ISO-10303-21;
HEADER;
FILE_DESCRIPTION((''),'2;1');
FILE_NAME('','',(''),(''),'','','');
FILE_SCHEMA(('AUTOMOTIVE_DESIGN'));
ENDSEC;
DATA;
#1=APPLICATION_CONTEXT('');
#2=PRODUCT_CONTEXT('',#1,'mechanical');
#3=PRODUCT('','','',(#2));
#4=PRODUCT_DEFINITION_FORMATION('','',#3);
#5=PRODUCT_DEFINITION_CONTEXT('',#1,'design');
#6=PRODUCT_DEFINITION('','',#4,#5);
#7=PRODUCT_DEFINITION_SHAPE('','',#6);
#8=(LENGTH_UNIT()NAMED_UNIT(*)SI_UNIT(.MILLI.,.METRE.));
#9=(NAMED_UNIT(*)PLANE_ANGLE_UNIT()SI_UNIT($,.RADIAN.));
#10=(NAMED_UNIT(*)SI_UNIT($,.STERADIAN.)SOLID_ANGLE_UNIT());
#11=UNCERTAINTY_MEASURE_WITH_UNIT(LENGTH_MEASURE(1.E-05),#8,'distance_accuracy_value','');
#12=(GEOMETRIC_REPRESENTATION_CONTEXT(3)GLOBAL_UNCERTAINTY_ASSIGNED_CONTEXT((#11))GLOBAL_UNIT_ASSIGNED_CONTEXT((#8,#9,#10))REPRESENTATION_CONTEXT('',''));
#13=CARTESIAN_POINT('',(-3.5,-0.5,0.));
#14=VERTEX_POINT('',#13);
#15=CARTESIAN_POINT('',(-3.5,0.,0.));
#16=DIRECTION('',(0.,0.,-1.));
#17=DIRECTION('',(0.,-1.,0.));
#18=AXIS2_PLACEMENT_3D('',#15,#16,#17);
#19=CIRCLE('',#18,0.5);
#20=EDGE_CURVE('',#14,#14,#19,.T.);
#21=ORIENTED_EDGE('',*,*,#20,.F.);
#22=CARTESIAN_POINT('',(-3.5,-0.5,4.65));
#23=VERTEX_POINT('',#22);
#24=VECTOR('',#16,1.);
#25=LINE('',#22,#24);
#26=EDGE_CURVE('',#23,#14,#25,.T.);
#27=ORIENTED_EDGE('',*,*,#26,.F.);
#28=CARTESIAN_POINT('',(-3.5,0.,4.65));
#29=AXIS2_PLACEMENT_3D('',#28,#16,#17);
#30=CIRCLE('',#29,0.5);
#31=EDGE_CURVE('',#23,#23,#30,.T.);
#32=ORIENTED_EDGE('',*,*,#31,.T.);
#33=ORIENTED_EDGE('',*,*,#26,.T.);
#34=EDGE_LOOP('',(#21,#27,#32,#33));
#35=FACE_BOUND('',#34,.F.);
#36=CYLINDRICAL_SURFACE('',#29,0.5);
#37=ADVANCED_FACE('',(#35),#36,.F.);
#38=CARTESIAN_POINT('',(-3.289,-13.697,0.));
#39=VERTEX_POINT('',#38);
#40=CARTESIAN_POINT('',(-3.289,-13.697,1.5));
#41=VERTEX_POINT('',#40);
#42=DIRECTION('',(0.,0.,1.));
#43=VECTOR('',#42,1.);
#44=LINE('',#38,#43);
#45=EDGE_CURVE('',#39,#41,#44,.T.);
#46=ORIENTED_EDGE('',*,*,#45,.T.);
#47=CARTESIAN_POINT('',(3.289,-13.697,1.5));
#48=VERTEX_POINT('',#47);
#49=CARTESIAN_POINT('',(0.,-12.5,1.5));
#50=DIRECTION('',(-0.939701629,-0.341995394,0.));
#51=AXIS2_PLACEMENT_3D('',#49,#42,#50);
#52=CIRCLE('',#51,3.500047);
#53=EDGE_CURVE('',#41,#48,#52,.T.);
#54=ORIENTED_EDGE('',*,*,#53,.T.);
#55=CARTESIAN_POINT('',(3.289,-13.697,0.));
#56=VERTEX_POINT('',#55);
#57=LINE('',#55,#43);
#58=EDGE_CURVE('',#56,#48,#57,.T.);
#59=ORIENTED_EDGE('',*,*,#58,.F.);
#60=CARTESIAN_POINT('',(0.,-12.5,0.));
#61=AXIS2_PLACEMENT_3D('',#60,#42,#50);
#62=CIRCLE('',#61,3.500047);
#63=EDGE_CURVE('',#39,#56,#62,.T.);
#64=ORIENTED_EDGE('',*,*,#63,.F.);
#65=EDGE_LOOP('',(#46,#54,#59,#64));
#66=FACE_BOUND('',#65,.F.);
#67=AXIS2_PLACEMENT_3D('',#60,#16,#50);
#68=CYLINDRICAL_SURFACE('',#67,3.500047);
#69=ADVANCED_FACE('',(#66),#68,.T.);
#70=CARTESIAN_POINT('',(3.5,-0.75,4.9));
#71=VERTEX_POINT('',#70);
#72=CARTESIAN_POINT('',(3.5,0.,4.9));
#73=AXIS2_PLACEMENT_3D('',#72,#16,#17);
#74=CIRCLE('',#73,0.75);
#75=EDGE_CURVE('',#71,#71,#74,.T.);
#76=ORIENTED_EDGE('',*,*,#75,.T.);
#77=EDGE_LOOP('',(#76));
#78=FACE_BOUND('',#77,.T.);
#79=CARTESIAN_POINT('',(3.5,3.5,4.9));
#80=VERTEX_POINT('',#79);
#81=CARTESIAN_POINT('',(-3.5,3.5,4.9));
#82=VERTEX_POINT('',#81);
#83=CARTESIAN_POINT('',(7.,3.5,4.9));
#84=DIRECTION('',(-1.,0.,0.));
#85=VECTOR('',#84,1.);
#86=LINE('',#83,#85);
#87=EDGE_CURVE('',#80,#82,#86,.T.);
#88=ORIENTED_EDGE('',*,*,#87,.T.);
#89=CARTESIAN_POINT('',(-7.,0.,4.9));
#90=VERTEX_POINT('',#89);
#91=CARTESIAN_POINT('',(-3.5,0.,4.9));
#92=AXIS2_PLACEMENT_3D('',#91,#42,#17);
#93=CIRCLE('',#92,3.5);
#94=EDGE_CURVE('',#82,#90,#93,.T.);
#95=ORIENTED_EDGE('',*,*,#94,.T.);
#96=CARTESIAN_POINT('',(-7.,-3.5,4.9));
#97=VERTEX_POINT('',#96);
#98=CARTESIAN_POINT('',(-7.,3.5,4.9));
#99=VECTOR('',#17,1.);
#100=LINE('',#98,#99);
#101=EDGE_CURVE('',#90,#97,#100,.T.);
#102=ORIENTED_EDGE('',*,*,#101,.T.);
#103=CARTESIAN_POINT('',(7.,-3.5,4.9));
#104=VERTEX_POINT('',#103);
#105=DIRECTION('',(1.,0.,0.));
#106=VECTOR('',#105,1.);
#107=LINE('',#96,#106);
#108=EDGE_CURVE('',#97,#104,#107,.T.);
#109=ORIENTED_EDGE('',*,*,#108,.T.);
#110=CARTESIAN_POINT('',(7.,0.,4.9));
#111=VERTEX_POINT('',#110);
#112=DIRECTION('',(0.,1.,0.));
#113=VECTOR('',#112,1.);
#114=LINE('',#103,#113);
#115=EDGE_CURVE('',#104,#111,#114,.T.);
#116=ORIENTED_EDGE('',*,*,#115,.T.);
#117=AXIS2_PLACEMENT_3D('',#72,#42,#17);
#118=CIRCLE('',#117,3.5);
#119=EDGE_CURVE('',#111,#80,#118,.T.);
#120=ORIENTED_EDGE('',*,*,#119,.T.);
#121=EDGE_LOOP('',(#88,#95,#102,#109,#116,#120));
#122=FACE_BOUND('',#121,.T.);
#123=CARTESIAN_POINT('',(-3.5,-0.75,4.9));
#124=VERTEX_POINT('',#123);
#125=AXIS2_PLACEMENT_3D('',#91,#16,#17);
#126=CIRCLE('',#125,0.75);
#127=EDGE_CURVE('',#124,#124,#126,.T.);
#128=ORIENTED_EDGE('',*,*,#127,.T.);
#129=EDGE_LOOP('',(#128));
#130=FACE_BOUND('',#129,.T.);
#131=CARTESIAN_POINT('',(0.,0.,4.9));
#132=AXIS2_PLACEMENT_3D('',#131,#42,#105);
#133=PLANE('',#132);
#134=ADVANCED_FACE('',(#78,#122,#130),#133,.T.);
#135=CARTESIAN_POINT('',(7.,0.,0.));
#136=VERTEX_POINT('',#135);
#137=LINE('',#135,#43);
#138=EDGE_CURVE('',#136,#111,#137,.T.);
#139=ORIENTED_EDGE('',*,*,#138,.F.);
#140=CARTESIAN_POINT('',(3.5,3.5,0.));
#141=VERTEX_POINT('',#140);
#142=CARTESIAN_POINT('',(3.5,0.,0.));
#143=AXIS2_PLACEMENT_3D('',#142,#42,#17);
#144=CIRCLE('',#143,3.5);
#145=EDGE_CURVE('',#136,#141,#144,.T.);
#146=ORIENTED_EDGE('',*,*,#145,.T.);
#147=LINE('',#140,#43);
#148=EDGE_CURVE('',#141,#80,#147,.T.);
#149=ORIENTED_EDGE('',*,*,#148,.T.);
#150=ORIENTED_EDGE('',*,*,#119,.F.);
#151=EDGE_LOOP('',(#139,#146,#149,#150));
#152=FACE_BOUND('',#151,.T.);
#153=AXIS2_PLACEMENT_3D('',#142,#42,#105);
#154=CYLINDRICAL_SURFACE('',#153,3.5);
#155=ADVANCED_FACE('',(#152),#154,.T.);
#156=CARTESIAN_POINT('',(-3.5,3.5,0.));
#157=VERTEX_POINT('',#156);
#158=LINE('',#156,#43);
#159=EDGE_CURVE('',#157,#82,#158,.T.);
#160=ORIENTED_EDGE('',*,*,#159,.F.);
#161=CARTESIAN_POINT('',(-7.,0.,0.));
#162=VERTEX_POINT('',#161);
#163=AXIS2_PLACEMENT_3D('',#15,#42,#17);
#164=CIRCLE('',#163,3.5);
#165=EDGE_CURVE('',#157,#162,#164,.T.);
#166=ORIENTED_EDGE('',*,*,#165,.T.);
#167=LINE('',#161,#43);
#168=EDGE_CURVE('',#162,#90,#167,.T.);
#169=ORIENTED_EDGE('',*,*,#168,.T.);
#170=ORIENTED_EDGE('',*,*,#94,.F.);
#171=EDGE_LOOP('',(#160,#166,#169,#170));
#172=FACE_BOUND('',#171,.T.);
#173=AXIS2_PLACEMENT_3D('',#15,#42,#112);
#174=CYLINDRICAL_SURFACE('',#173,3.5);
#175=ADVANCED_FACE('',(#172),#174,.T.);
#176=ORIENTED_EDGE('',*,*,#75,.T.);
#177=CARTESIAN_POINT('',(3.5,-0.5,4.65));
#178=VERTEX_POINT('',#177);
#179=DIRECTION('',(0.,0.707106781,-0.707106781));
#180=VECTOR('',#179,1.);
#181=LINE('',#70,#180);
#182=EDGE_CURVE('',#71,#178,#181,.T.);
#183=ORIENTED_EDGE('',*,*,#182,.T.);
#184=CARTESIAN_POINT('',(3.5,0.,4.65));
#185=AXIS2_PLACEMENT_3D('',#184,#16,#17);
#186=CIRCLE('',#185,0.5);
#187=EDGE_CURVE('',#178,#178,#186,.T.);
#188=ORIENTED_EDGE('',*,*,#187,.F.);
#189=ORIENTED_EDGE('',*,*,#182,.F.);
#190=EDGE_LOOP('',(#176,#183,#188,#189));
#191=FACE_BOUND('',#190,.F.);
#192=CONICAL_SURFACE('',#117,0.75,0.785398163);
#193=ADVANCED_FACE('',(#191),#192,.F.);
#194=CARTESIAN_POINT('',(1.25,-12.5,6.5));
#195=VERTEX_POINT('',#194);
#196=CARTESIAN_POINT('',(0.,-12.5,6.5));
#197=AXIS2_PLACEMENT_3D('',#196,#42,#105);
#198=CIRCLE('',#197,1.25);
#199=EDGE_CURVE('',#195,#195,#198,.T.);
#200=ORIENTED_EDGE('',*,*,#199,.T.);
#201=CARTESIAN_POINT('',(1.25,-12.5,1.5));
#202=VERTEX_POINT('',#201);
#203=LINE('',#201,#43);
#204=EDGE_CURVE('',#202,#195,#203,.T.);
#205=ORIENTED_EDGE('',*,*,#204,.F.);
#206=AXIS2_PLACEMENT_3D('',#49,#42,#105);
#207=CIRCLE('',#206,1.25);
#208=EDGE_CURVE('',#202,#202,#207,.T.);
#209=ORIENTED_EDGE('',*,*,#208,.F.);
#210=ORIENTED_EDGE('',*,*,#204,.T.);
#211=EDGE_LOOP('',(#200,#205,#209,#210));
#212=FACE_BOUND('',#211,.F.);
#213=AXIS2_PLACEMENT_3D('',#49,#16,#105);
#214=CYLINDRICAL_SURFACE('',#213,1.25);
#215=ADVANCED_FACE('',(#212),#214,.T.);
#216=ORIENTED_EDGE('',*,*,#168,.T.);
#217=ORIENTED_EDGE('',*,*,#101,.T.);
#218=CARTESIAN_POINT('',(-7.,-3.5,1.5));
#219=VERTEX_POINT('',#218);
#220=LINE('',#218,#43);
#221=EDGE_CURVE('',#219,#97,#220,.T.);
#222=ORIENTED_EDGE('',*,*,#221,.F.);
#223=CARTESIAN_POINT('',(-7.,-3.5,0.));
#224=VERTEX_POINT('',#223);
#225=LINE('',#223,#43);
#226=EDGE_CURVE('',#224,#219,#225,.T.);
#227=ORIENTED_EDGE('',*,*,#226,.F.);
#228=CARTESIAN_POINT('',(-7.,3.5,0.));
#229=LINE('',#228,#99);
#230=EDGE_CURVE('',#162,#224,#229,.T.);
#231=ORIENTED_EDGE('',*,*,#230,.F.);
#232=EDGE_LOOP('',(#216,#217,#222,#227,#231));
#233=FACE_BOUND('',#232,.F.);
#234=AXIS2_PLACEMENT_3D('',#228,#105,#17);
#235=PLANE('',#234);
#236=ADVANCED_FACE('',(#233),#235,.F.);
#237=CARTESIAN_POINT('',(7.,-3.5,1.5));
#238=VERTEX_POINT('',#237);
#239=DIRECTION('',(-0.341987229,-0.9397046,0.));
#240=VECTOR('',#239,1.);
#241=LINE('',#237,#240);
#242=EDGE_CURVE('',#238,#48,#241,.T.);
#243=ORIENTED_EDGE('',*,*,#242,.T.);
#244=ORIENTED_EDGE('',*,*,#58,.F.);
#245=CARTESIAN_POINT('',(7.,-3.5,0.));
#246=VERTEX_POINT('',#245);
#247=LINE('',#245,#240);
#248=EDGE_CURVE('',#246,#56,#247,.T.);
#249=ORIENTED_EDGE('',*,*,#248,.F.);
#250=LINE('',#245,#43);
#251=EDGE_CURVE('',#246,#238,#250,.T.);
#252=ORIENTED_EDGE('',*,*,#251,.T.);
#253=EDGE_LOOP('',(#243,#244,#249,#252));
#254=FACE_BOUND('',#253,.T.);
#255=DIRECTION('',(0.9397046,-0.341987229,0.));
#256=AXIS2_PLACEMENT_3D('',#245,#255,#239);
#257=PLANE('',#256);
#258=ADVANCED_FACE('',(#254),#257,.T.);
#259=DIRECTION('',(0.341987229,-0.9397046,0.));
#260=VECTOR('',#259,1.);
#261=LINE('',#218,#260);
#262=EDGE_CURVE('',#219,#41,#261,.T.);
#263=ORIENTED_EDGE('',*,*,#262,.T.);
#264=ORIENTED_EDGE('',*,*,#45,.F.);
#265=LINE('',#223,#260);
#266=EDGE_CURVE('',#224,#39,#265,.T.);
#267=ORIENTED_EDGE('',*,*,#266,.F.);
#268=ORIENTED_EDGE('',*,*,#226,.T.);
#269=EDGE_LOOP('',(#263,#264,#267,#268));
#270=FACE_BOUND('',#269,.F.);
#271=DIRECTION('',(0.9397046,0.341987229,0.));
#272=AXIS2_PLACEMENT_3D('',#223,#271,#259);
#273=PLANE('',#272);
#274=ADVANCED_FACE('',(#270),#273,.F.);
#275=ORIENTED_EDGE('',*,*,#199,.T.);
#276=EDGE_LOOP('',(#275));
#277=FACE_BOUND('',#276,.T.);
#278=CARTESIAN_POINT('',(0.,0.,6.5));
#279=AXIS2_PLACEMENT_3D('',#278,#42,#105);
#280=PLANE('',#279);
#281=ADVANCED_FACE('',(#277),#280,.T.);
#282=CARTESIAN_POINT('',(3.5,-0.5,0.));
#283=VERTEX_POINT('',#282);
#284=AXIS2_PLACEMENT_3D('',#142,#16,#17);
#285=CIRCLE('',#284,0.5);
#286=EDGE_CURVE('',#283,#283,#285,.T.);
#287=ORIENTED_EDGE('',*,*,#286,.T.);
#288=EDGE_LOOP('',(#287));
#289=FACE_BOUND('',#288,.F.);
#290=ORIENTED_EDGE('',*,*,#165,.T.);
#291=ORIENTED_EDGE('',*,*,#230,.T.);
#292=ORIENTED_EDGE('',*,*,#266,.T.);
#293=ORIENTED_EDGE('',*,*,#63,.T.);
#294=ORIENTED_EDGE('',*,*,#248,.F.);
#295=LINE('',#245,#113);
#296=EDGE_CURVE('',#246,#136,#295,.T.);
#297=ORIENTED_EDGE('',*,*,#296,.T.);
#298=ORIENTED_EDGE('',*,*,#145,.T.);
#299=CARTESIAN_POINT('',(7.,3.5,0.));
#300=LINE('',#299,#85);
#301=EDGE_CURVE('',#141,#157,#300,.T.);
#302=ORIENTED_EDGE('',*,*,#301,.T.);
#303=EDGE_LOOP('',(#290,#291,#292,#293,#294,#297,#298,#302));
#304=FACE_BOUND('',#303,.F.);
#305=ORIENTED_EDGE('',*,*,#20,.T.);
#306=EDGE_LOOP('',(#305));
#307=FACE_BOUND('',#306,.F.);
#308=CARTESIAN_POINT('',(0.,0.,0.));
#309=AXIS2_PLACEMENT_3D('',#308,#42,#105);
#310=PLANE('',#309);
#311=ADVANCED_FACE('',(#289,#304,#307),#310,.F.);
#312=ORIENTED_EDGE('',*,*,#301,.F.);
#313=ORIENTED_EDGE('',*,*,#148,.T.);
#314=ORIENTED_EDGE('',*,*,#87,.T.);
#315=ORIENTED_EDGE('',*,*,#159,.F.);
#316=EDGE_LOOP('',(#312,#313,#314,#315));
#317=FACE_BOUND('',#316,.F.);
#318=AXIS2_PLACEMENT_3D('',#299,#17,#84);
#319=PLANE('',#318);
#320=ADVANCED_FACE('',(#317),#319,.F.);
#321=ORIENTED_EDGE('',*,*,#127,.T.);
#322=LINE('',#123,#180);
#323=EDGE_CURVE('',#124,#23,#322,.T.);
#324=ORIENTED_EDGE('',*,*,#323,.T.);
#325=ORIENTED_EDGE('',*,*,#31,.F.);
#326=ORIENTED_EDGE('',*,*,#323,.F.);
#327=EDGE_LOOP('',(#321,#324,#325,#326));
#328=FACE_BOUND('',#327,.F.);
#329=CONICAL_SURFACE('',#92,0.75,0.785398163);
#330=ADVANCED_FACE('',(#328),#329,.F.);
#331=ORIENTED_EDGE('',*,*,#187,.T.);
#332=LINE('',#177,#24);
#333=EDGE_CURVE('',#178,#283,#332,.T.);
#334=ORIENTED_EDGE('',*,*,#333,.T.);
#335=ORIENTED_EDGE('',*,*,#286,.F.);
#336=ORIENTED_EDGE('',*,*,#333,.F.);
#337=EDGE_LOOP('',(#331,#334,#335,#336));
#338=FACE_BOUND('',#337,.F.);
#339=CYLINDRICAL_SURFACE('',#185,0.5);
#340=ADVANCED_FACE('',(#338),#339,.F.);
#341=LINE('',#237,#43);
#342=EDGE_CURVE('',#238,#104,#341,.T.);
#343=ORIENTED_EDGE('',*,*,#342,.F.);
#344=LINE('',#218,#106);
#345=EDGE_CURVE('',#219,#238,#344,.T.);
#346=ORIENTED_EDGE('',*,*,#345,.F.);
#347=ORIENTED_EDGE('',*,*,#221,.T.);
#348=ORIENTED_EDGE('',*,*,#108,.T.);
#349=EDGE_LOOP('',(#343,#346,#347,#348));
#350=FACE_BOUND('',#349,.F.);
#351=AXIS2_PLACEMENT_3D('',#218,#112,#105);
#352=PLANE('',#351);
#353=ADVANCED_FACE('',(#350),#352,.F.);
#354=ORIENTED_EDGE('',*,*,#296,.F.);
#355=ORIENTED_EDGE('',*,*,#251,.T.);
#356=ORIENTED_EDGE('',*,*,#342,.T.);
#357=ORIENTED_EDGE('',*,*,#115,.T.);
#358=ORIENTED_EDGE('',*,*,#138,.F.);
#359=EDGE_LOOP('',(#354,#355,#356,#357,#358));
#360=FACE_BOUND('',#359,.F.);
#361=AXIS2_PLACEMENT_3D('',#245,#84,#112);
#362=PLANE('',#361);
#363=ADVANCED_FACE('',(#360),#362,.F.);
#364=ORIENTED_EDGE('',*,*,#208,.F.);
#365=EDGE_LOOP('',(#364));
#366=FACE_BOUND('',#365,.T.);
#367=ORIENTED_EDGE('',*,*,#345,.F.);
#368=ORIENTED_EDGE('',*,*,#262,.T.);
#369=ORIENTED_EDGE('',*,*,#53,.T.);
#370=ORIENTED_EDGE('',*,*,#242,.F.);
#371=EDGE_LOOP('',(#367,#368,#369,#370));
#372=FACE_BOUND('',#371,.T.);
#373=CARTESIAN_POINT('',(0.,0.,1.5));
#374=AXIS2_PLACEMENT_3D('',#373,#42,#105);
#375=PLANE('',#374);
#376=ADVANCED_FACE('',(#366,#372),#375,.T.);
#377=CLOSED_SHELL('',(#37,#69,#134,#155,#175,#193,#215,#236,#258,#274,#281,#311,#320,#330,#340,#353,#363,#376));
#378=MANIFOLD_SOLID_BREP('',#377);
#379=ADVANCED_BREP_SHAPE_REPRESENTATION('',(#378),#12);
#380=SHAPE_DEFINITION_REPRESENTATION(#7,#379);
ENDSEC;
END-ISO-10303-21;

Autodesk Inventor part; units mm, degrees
ref_plane "YZ Plane" through (0, 0, 0) normal (1, 0, 0) x (0, 1, 0)
ref_plane "XZ Plane" through (0, 0, 0) normal (0, 1, 0) x (-1, 0, 0)
ref_plane "XY Plane" through (0, 0, 0) normal (0, 0, 1) x (1, 0, 0)
sketch "Эскиз1" plane through (0, 0, 0) normal (0, 0, 1) x (1, 0, 0)
  line L0 (-7, -3.5) -> (7, -3.5) construction
  line L1 (7, -3.5) -> (7, 3.5)
  line L2 (7, 3.5) -> (-7, 3.5)
  line L3 (-7, 3.5) -> (-7, -3.5)
  line L4 (-7, -3.5) -> (7, 3.5) construction
  line L5 (7, -3.5) -> (-7, 3.5) construction
  line L6 (0, -3.5) -> (0, -12.5) construction
  line L7 (-7, -3.5) -> (-3.289, -13.697)
  line L8 (7, -3.5) -> (3.289, -13.697)
  arc A0 (-3.289, -13.697) -> (3.289, -13.697) centre (0, -12.5) ccw
  point P0 (0, 0)
  point P1 (0, 0)
  point P2 (0, 0)
  point P3 (0, 0)
  dimension "d0" = 14
  dimension "d1" = 7
  dimension "d4" = 9
  dimension "d5" = 3.5
extrude "Выдавливание1" add sketch "Эскиз1" along normal blind 1.5
sketch "Эскиз4" plane through (0, 0, 1.5) normal (0, 0, 1) x (1, 0, 0)
  line L0 (7, 3.5) -> (-7, 3.5) projected
  line L1 (7, -3.5) -> (7, 3.5) projected
  line L2 (-7, 3.5) -> (-7, -3.5) projected
  line L3 (-7, -3.5) -> (7, -3.5)
  point P0 (0, 0)
extrude "Выдавливание6" add sketch "Эскиз4" along normal blind 3.4
sketch "Эскиз2" plane through (0, 0, 1.5) normal (0, 0, 1) x (1, 0, 0)
  arc A0 (-3.289, -13.697) -> (3.289, -13.697) centre (0, -12.5) ccw construction
  circle A1 centre (0, -12.5) radius 1.25
  point P0 (0, 0)
  dimension "d8" = 2.5
extrude "Выдавливание9" add sketch "Эскиз2" along normal blind 5
fillet "Сопряжение1" radius 3.5 2 edges at (7, 3.5, 2.45) (-7, 3.5, 2.45)
sketch "Эскиз5" plane through (0, 0, 4.9) normal (0, 0, 1) x (1, 0, 0)
  circle A0 centre (0, -9.5) radius 1.5 construction
  line L0 (7, -3.5) -> (-7, -3.5) construction
  line L1 (0, -3.5) -> (0, 3.5) construction
  line L2 (-7, 3.5) -> (7, 3.5) construction
  circle A1 centre (3.5, 0) radius 0.5
  line L3 (3.5, 3.5) -> (3.5, 0) construction
  line L4 (3.5, 0) -> (0, 0) construction
  circle A2 centre (-3.5, 0) radius 0.5
  dimension "d34" = 1
hole "Отверстие1" at (-3.5, 0, 4.9) at (3.5, 0, 4.9) direction (0, 0, -1) diameter 1 end through all countersink diameter 1.5 countersink angle 90
properties part number "переходник"
